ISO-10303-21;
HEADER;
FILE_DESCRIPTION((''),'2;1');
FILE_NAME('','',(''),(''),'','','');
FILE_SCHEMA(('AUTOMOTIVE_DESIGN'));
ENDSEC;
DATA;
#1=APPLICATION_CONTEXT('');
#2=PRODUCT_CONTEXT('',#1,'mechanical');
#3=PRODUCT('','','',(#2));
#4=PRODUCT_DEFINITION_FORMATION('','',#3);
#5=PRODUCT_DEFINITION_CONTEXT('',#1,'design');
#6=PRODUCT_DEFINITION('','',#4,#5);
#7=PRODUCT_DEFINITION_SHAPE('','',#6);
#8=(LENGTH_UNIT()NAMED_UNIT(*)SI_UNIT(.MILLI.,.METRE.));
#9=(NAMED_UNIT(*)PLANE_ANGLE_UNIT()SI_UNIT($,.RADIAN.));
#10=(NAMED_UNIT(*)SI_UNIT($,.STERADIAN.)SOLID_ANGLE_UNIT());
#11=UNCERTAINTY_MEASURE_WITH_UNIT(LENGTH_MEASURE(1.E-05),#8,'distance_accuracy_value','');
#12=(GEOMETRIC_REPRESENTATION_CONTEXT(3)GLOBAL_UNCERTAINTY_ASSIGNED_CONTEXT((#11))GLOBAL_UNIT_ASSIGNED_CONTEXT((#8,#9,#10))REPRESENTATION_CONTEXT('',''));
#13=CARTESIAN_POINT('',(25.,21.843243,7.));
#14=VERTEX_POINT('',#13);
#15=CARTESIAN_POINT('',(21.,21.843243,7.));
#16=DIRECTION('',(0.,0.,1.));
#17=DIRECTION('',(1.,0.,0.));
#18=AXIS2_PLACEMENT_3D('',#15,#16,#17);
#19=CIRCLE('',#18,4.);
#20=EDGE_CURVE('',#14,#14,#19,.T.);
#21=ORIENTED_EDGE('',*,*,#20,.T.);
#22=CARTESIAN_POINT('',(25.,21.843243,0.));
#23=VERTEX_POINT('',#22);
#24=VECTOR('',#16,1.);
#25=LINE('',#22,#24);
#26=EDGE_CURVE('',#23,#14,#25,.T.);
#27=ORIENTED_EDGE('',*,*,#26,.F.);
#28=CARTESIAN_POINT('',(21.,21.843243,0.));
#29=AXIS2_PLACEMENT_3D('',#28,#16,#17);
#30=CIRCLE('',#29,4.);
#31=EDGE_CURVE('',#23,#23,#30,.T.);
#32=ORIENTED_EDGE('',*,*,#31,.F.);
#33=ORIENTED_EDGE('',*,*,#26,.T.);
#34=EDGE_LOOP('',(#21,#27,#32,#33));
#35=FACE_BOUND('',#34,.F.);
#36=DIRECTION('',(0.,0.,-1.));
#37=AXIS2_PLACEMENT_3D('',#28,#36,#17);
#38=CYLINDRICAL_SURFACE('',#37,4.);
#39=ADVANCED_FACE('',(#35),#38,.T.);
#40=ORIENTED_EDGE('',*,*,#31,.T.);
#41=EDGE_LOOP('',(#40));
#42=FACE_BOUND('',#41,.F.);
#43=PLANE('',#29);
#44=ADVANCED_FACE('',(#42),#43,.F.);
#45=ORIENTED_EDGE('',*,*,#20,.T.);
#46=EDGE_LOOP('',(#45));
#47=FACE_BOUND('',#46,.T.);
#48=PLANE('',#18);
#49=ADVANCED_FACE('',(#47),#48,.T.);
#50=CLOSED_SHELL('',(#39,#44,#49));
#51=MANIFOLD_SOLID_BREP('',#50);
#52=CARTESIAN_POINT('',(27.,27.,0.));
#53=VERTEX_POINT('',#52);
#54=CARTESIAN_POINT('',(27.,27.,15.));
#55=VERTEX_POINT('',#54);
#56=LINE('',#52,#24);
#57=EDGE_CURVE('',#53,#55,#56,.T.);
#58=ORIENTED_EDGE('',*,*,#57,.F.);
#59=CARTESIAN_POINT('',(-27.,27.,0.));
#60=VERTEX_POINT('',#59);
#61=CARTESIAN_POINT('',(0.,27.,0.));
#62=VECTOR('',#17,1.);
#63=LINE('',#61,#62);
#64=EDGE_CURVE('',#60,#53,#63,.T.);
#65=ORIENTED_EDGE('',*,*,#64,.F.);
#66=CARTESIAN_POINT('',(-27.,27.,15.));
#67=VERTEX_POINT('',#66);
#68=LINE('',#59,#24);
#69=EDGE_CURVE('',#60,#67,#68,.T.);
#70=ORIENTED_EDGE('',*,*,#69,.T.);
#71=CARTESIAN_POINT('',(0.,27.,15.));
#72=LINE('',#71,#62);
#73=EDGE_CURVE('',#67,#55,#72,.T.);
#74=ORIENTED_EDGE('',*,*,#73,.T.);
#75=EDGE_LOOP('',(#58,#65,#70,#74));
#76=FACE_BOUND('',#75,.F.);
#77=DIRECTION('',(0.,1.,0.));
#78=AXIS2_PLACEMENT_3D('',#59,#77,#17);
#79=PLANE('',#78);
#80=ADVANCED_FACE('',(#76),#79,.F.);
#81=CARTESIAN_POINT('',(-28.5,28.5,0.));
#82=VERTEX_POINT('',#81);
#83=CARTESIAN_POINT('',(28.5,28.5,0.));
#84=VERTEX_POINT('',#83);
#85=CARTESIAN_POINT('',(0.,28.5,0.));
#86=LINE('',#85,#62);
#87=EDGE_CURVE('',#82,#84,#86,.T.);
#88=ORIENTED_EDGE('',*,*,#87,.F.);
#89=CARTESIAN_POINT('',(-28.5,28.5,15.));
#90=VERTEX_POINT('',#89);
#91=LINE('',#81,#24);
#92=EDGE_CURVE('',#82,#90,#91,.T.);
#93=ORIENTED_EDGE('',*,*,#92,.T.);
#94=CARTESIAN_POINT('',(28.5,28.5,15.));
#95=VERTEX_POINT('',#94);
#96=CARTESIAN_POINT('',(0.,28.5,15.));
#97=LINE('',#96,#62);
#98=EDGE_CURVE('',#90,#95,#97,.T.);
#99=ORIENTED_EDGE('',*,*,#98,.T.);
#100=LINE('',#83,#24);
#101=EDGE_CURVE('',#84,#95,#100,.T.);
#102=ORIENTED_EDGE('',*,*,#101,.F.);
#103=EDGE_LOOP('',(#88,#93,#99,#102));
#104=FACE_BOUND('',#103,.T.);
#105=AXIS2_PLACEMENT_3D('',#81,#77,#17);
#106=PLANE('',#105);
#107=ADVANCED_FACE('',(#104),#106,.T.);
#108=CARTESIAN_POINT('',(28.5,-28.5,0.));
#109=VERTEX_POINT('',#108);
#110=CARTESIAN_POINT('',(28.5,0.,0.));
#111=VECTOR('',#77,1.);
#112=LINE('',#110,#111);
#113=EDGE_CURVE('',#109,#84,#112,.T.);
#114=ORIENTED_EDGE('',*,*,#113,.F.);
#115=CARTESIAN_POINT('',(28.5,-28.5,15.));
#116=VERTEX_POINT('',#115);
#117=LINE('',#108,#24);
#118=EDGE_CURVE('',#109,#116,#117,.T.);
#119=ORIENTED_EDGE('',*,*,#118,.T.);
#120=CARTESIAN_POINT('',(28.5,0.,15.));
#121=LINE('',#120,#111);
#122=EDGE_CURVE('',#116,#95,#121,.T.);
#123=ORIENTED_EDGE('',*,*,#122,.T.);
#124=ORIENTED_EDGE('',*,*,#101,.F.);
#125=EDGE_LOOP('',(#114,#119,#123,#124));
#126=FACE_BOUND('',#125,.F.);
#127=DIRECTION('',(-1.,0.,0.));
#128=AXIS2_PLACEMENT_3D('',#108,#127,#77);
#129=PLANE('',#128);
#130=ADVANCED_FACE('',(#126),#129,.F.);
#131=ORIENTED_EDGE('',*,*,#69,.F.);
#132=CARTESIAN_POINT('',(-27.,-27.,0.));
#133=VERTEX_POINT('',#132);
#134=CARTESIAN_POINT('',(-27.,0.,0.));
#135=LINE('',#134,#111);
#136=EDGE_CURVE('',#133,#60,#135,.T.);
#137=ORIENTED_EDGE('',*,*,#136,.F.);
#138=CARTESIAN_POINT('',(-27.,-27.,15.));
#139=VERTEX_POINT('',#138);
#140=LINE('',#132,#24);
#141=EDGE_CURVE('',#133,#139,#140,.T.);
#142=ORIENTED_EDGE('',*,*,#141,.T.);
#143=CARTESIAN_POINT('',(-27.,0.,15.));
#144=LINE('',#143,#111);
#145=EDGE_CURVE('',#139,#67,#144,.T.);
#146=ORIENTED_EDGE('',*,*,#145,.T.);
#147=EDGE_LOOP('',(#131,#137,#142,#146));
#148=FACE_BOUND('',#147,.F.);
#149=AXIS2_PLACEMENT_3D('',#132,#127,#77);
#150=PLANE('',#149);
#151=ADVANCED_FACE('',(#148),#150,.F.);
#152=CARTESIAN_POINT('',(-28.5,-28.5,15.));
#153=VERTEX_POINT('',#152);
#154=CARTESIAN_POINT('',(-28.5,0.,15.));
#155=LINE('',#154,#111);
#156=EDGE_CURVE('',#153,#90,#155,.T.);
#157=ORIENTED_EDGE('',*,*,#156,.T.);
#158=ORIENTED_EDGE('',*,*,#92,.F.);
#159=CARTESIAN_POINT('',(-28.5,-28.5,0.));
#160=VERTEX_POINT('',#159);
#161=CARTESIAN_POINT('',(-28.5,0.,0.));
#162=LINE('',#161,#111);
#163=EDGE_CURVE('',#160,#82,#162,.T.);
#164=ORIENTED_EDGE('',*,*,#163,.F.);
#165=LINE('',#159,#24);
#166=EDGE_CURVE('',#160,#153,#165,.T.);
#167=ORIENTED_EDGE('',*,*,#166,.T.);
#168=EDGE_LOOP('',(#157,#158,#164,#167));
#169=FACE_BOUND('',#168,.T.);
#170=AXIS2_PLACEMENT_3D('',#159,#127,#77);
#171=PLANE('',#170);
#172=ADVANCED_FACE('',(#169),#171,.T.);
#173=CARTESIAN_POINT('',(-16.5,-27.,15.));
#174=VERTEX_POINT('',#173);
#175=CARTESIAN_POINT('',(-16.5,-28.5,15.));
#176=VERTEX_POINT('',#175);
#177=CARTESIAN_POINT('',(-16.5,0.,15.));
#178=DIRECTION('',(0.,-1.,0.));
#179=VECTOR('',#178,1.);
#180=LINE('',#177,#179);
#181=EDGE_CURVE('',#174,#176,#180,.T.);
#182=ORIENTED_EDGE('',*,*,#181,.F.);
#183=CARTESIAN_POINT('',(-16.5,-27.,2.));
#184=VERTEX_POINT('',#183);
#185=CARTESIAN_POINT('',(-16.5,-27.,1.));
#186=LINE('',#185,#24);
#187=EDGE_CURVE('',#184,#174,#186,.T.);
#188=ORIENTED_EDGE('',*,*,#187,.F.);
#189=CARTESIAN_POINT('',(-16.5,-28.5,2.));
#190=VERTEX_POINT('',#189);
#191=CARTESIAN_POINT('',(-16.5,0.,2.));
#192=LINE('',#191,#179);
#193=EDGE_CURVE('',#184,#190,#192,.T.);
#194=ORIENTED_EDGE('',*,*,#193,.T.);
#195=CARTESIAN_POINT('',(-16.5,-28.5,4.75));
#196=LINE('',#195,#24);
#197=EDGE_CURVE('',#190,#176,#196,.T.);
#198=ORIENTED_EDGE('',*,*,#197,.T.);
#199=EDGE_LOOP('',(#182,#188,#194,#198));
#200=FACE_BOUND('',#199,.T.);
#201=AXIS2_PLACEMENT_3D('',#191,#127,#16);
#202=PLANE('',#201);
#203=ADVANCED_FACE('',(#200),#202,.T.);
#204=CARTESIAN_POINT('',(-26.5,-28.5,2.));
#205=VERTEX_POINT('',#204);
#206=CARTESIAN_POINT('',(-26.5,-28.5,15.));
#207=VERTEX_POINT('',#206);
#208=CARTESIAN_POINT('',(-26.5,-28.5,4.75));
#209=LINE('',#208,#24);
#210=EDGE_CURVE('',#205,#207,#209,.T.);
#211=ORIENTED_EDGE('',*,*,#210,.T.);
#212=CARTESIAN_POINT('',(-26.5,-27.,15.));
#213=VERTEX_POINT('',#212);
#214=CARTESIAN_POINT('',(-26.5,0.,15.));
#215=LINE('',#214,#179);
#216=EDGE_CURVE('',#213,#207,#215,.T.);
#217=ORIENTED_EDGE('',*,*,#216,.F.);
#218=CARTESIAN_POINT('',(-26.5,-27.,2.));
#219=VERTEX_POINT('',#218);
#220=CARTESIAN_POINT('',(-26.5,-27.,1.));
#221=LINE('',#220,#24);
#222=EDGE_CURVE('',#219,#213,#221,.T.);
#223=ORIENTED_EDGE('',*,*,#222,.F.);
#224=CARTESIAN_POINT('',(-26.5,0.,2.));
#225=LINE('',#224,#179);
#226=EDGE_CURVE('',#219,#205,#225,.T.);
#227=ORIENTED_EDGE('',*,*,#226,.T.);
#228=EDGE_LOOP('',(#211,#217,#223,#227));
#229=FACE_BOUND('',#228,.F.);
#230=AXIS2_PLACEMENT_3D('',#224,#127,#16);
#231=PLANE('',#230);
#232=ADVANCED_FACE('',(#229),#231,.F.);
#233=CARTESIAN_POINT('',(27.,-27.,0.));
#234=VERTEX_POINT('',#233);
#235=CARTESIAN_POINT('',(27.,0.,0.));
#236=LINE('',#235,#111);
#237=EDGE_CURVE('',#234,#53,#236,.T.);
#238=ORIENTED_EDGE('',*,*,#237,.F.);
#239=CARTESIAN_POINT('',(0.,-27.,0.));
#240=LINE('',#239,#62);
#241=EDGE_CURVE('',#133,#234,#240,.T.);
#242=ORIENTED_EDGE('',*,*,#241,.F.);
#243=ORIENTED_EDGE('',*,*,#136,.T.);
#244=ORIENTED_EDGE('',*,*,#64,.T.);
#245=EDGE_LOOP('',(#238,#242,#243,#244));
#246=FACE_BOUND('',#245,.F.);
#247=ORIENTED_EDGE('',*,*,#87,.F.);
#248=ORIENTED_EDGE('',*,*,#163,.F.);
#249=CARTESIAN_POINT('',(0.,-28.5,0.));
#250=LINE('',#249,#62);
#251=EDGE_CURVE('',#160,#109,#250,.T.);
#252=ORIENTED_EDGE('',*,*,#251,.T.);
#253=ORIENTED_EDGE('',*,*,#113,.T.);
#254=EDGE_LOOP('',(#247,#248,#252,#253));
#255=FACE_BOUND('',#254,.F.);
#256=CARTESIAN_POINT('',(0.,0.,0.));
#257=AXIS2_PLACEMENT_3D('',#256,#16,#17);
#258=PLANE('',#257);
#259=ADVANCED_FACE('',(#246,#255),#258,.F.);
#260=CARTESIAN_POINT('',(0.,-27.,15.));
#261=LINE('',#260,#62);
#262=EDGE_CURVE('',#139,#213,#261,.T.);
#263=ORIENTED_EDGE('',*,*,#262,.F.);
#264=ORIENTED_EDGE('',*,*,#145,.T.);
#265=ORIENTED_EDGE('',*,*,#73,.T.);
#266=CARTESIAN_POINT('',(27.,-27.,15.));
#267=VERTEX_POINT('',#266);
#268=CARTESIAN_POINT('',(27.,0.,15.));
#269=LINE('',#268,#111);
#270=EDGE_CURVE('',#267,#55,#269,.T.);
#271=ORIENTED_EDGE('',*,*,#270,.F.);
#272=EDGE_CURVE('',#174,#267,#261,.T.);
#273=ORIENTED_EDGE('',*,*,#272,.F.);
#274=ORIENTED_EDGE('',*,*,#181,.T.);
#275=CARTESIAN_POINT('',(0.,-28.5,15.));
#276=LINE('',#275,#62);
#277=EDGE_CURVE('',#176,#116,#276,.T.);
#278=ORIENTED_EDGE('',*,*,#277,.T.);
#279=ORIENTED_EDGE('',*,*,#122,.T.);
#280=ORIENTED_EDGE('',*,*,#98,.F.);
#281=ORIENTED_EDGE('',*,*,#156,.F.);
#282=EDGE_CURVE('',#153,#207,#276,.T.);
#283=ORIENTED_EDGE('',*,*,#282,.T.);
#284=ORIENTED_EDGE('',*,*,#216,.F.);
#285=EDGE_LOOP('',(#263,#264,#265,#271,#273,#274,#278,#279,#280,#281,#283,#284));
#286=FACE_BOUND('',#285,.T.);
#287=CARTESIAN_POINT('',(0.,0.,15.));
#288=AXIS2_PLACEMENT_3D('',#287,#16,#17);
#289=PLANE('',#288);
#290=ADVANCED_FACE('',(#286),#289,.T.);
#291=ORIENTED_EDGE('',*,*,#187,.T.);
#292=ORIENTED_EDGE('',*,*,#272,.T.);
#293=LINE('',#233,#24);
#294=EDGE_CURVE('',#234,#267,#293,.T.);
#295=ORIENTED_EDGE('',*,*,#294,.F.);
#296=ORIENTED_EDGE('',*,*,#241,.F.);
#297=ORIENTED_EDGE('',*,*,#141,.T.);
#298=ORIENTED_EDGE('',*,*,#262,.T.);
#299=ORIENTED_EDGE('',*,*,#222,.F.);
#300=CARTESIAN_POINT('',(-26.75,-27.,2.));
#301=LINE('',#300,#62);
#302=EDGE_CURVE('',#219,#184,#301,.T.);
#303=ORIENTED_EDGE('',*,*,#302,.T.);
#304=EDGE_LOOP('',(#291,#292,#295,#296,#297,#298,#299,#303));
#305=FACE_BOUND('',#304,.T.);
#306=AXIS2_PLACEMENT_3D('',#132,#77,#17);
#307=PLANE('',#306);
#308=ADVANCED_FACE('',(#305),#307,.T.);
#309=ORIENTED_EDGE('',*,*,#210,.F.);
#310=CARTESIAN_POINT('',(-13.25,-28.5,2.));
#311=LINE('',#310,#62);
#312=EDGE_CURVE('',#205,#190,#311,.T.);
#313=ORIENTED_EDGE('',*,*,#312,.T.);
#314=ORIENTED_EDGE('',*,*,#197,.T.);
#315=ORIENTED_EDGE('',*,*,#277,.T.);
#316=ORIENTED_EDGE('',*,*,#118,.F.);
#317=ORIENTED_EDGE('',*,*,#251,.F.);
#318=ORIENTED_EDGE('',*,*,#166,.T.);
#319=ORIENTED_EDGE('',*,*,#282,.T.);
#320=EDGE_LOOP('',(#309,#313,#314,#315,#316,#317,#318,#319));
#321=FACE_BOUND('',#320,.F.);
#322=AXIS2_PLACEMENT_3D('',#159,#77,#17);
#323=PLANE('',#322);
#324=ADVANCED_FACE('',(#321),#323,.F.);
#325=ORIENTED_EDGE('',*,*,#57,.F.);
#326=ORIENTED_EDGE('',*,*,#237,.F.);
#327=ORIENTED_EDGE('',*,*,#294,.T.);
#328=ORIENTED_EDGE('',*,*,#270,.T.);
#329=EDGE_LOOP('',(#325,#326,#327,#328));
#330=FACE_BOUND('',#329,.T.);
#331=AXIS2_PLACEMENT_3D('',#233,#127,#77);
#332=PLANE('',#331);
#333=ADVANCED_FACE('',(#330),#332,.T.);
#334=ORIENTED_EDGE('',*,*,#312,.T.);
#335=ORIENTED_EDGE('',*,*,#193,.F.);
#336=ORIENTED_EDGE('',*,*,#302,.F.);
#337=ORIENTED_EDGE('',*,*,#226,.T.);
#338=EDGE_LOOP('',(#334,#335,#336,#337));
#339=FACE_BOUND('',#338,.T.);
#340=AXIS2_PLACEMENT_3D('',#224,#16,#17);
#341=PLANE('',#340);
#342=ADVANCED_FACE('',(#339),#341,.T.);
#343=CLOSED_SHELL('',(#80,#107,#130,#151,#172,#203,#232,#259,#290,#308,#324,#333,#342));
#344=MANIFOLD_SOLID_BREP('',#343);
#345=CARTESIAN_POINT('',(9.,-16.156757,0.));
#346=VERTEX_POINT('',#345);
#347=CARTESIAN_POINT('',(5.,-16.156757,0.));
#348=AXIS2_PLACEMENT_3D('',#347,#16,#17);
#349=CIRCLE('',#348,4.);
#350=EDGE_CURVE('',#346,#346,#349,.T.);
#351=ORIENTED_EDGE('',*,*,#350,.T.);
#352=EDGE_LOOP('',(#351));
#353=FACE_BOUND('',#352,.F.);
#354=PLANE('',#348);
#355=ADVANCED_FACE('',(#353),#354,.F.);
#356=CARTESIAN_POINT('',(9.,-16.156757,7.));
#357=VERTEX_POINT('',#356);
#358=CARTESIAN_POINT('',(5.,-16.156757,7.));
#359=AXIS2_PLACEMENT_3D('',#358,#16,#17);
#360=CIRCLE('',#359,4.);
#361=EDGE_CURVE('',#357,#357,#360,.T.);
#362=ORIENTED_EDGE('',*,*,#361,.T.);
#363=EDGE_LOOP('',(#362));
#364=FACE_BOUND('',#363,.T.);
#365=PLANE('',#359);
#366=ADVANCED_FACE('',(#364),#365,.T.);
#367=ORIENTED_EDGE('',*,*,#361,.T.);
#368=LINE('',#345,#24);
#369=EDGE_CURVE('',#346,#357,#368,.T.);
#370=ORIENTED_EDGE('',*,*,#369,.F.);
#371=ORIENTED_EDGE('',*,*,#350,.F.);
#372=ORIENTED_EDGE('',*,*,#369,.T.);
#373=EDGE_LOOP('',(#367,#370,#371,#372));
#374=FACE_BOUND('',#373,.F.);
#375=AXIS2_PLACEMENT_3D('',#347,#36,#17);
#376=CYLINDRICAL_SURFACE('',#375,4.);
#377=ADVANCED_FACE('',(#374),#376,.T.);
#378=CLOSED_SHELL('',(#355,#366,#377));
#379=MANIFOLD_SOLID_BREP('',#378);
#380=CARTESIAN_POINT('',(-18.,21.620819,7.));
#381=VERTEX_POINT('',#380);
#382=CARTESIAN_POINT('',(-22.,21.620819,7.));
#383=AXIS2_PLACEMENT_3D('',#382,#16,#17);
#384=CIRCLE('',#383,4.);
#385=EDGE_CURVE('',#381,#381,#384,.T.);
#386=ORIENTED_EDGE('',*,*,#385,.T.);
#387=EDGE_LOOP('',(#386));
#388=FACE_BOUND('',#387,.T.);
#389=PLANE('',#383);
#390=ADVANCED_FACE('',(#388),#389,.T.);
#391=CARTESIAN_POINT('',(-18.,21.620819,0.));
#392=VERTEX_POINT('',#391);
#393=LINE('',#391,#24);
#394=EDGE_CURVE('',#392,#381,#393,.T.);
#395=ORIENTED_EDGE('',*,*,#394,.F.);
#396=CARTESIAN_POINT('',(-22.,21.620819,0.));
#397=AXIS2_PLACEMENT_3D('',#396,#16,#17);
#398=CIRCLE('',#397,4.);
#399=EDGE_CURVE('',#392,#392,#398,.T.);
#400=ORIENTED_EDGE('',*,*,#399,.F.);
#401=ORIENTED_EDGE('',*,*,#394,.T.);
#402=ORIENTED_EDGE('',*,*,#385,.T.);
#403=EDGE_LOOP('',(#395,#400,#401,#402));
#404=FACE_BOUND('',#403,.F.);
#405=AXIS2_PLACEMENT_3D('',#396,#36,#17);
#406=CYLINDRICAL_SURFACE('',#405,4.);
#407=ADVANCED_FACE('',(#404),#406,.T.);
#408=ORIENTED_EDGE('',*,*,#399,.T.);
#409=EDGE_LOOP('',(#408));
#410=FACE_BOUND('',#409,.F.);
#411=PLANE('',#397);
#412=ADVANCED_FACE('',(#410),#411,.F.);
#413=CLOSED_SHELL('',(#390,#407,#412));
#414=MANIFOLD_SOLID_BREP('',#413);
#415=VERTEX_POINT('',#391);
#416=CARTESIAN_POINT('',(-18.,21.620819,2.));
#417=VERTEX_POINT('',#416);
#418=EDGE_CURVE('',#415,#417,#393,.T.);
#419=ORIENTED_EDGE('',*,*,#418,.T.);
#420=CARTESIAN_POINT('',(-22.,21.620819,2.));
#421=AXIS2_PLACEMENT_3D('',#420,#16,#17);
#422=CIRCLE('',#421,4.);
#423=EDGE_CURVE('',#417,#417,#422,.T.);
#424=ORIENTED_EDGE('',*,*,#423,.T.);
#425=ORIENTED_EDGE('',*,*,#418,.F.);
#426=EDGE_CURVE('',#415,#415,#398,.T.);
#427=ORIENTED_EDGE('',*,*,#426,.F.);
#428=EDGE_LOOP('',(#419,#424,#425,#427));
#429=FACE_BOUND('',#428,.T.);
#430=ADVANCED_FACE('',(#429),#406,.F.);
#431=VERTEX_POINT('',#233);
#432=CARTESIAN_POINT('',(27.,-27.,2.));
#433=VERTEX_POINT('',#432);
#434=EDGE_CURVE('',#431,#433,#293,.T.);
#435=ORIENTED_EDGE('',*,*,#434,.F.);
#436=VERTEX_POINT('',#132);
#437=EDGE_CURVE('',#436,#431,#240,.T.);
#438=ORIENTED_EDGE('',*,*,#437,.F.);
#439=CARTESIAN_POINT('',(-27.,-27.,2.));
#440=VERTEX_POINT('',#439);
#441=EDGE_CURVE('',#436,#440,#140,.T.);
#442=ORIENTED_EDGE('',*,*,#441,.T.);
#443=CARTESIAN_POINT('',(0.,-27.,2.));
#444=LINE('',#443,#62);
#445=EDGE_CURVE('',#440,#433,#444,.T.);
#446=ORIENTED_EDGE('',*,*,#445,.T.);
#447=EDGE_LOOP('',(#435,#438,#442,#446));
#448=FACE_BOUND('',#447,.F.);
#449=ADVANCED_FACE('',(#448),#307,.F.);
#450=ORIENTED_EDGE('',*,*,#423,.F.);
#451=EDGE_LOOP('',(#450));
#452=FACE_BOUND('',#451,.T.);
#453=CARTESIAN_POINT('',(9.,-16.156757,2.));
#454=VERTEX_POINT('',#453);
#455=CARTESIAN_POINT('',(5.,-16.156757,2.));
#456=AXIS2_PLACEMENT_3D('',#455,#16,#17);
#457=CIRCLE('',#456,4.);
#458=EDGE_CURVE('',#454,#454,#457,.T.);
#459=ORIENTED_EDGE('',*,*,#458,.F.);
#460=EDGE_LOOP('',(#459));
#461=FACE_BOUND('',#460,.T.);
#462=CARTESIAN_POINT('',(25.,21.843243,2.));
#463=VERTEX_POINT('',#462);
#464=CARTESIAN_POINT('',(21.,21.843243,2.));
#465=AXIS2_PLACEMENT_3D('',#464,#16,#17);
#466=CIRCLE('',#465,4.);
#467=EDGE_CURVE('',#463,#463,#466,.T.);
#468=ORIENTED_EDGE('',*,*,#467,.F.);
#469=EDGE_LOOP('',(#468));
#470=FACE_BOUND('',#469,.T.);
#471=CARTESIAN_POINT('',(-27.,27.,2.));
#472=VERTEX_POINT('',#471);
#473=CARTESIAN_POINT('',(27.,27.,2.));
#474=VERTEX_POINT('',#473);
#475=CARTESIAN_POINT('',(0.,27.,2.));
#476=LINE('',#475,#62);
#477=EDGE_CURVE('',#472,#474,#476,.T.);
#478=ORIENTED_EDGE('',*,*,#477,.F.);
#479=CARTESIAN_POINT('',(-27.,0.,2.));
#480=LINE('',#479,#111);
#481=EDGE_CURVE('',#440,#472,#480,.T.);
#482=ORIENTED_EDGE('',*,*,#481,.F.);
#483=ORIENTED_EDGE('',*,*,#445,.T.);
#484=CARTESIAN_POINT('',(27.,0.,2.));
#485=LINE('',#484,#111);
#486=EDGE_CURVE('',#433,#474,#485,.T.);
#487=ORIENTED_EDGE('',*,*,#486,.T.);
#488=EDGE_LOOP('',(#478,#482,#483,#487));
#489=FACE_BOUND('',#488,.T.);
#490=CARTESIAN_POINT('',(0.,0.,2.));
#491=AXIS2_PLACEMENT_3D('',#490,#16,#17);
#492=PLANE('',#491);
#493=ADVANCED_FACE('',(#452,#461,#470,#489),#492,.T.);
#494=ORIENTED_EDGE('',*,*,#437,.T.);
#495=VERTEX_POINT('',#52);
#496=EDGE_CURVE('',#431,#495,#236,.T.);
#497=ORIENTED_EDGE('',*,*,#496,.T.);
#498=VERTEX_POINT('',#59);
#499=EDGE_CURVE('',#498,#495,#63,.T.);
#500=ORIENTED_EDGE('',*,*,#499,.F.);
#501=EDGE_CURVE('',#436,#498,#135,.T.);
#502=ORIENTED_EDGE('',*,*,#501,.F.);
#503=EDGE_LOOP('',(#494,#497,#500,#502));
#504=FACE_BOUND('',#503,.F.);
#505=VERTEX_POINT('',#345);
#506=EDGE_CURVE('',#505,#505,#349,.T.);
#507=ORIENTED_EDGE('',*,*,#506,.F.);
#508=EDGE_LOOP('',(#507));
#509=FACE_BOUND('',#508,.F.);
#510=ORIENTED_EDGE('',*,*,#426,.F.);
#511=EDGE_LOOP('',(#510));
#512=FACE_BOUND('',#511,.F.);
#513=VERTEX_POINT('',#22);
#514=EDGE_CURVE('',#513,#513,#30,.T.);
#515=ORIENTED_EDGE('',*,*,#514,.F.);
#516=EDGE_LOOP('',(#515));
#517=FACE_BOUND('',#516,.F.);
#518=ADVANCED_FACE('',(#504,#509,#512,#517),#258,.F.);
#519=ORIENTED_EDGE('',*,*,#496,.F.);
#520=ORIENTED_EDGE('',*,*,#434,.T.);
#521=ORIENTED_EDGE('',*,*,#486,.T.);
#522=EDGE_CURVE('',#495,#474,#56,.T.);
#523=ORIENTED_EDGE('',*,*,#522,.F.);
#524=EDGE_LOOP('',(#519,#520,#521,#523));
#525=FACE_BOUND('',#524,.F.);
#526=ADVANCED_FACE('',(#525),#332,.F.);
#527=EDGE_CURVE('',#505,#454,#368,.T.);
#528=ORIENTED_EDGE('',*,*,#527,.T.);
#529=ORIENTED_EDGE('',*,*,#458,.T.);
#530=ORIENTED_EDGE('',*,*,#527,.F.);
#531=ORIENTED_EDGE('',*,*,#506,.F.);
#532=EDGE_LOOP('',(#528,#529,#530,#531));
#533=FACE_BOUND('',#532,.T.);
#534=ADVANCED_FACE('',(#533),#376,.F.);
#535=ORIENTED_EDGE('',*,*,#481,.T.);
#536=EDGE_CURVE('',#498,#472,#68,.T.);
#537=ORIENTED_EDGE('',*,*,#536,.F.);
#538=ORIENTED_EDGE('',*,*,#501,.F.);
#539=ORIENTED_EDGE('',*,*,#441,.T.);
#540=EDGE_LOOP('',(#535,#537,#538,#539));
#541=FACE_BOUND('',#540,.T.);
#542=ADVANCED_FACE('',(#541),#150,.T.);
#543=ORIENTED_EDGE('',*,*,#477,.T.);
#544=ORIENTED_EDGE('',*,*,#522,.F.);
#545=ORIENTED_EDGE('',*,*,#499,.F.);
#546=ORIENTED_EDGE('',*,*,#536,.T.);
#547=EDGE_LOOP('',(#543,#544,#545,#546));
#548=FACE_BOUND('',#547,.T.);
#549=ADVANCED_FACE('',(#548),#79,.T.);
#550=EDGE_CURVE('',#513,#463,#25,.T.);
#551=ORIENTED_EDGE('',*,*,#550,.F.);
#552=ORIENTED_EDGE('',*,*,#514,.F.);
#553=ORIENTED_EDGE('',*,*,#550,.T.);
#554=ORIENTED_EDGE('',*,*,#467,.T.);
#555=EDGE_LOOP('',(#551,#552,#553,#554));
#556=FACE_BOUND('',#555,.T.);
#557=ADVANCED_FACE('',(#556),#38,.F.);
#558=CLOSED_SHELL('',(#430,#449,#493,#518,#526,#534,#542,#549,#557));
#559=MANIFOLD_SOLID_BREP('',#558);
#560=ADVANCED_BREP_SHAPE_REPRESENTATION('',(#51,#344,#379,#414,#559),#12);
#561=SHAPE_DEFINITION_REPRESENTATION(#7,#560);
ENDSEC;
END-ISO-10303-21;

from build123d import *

# Parameters (mm, degrees)
F0_W      = 57
F0_H      = 57
F0_W_2    = 54
F0_H_2    = 54
F1_DEPTH  = 15
F0_R      = 4
F2_DEPTH  = 7
F3_DEPTH  = 2
F4_W      = 10
F4_H      = 14
F1_FACE_W = 57
F1_FACE_H = 15
F5_DEPTH  = 28.501


with BuildPart() as f1:
    # F0 (on Top) → F1 (new body)
    with BuildSketch(Plane.XY):
        Rectangle(F0_W, F0_H)
        Rectangle(F0_W_2, F0_H_2, mode=Mode.SUBTRACT)
    extrude(amount=F1_DEPTH)

    # F4 (on Front) + F1_face (on face) → F5 (cut, through all)
    with BuildSketch(Plane.XZ):
        with Locations((-21.5, 9)):
            Rectangle(F4_W, F4_H)
    with BuildSketch(Plane(origin=(0, -28.5, 7.5), x_dir=(1, 0, 0), z_dir=(0, -1, 0))):
        Rectangle(F1_FACE_W, F1_FACE_H)
    extrude(amount=F5_DEPTH, mode=Mode.SUBTRACT)


with BuildPart() as f2:
    # F0 (on Top) → F2 (new body)
    with BuildSketch(Plane.XY):
        with Locations((-22, 21.620819)):
            Circle(F0_R)
        with Locations((21, 21.843243)):
            Circle(F0_R)
        with Locations((5, -16.156757)):
            Circle(F0_R)
    extrude(amount=F2_DEPTH)


with BuildPart() as f3:
    # F0 (on Top) → F3 (new body)
    with BuildSketch(Plane.XY):
        Rectangle(F0_W_2, F0_H_2)
        with Locations((5, -16.156757)):
            Circle(F0_R, mode=Mode.SUBTRACT)
        with Locations((-22, 21.620819)):
            Circle(F0_R, mode=Mode.SUBTRACT)
        with Locations((21, 21.843243)):
            Circle(F0_R, mode=Mode.SUBTRACT)
    extrude(amount=F3_DEPTH)


solid = Compound([f1.part, f2.part, f3.part])
